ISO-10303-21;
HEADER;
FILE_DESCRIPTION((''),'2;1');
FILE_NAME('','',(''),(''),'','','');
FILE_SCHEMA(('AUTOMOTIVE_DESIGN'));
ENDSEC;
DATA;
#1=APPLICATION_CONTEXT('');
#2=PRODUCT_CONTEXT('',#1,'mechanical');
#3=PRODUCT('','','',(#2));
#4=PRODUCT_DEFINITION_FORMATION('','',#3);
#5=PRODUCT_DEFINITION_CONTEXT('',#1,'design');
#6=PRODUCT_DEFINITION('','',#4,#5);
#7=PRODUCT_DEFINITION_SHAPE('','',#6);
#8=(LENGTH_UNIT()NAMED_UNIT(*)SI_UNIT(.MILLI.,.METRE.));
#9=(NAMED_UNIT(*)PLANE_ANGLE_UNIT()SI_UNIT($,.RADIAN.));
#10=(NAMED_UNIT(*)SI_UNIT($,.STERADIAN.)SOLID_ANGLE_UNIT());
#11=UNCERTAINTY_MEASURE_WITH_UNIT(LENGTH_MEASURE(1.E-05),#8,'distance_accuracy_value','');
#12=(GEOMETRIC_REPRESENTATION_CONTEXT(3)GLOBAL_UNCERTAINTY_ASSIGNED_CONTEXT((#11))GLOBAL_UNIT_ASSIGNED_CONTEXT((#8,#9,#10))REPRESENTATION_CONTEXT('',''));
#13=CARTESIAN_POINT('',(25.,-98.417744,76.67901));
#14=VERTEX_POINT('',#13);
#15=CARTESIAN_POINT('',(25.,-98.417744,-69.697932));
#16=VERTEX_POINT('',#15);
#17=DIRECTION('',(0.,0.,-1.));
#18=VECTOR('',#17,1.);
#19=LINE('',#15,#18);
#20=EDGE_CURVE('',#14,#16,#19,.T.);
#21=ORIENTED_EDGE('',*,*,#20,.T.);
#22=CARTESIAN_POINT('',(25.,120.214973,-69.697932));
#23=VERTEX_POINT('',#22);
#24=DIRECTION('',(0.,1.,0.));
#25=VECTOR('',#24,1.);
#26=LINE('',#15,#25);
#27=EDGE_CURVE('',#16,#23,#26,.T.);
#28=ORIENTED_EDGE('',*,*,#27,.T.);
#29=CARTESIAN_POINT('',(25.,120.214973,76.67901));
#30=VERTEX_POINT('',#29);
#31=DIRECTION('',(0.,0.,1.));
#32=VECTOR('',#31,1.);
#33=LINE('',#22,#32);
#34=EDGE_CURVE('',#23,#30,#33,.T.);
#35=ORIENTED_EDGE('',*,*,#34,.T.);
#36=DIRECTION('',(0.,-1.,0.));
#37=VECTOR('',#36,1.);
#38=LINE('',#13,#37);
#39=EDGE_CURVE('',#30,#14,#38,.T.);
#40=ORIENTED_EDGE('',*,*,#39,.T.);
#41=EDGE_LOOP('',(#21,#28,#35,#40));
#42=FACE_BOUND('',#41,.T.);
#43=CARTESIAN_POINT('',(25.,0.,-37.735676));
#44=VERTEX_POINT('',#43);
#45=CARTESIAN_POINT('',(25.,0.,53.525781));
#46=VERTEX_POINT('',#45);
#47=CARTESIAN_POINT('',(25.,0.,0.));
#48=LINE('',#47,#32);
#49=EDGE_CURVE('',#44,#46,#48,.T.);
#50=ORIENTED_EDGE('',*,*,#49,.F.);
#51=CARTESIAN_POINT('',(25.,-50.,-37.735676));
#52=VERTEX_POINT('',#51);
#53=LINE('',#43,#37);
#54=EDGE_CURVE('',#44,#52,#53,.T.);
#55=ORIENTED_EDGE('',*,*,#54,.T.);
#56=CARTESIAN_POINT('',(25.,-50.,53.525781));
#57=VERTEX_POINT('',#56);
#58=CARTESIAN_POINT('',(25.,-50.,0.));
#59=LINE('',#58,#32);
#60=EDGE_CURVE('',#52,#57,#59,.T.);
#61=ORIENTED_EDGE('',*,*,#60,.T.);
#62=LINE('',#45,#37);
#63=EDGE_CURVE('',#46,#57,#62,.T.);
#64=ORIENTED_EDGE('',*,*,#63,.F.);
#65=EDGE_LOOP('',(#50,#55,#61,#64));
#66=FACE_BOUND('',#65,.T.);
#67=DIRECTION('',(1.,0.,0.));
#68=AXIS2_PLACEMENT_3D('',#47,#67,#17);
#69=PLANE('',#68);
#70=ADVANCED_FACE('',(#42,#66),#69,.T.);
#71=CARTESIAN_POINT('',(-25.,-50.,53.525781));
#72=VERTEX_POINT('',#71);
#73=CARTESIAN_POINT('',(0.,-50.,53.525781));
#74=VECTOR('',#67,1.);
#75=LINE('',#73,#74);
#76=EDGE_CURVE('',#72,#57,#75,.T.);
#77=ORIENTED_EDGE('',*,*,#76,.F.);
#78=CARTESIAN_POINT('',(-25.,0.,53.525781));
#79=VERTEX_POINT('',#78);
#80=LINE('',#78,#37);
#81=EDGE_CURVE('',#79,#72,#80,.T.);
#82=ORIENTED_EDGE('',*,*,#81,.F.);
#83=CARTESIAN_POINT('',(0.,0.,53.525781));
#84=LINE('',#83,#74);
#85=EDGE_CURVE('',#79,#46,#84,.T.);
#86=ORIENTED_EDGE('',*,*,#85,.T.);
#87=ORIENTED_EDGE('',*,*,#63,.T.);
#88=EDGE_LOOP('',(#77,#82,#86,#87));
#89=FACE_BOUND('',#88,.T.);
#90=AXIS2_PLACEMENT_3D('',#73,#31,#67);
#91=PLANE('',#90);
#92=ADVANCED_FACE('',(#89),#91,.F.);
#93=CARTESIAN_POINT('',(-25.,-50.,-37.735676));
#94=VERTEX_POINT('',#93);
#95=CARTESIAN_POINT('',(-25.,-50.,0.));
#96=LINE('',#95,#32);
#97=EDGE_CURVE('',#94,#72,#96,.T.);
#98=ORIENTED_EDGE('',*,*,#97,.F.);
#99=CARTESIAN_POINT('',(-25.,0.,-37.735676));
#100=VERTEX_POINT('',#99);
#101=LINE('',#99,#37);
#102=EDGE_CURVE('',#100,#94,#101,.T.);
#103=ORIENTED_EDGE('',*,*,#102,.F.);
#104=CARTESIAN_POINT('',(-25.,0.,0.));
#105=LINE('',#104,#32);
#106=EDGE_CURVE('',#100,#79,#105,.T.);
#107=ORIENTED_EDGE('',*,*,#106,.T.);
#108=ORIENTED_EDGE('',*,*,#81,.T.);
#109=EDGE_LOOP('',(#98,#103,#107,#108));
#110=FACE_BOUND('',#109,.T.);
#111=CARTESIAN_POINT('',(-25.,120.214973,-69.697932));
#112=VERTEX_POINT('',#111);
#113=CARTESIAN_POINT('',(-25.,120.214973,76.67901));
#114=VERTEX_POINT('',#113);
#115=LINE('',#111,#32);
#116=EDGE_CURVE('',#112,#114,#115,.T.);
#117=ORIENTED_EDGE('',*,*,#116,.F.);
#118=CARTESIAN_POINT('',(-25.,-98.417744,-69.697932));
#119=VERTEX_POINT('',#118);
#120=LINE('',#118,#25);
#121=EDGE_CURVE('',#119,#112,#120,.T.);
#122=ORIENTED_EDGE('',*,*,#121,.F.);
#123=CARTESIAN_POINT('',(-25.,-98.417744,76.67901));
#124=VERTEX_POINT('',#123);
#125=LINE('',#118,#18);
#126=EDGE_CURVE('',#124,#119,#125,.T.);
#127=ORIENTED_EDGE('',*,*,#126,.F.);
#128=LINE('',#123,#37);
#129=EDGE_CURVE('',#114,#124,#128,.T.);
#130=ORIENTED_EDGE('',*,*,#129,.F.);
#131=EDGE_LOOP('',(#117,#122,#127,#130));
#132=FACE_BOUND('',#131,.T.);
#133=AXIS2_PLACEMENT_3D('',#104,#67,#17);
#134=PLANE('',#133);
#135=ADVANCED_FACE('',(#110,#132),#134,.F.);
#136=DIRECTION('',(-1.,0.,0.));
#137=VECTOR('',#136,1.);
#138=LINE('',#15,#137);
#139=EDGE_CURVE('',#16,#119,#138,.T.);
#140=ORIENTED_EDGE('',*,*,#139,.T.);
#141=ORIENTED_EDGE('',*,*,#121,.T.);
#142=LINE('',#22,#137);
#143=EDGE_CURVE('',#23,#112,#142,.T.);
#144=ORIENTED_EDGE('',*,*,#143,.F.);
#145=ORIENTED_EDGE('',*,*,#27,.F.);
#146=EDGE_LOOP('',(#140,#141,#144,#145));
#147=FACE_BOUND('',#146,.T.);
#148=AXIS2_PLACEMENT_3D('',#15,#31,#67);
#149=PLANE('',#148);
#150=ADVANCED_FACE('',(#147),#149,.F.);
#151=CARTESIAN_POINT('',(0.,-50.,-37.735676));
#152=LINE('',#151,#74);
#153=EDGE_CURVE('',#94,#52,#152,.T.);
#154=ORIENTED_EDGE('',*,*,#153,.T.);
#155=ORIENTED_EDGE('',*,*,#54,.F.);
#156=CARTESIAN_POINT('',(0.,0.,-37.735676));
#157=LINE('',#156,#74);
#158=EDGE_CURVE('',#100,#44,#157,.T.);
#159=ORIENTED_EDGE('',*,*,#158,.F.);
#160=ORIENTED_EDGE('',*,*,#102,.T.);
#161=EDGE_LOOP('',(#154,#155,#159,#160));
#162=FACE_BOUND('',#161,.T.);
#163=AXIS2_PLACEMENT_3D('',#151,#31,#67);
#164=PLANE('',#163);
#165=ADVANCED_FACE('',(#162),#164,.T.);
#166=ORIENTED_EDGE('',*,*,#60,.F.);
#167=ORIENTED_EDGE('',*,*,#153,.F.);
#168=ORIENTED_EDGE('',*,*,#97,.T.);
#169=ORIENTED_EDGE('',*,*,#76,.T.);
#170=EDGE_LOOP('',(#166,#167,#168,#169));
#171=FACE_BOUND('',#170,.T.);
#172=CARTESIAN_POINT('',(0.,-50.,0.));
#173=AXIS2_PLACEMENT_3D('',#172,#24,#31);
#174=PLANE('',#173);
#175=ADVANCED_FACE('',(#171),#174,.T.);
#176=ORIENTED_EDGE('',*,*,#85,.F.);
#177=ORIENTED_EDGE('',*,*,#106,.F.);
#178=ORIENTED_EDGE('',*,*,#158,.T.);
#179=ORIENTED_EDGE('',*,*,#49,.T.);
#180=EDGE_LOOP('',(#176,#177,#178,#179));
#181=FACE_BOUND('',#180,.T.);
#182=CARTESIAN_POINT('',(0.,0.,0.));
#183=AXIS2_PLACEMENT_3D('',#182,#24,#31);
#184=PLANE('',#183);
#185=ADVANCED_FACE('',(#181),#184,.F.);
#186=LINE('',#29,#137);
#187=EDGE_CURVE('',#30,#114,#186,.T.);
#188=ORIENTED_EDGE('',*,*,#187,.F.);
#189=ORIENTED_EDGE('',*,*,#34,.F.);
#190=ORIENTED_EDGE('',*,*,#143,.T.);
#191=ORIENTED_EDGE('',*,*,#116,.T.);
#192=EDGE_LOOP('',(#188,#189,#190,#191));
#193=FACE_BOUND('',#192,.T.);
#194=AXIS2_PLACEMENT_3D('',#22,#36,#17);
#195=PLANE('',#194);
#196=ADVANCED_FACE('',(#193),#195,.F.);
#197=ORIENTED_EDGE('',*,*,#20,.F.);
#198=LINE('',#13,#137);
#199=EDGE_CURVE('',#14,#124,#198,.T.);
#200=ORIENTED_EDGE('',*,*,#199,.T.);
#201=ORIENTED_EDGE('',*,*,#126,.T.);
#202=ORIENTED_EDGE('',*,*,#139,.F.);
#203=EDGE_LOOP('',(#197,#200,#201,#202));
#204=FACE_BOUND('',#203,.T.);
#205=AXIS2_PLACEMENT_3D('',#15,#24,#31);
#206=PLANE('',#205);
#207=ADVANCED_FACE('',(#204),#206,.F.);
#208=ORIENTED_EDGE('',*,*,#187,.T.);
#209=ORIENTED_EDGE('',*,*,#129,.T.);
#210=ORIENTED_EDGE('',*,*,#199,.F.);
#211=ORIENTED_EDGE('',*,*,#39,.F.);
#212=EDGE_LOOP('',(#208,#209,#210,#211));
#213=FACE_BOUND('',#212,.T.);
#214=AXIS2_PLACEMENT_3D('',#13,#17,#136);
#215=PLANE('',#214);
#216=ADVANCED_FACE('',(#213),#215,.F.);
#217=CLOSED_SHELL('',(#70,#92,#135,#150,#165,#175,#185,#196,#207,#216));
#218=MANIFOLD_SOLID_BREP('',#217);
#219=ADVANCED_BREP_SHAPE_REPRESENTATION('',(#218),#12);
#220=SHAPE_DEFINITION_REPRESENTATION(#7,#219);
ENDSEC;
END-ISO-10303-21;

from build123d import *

# Parameters (mm, degrees)
SKETCH2_W           = 146.376941915
SKETCH2_H           = 218.632716635
BOSS_EXTRUDE2_DEPTH = 25
CUT_EXTRUDE1_DEPTH  = 50


with BuildPart() as part:
    # Sketch2 → Boss-Extrude2 (new, symmetric)
    with BuildSketch(Plane(origin=(0, 0, 0), x_dir=(0, 0, -1), z_dir=(1, 0, 0))):
        with Locations((-3.490539111, 10.898614686)):
            Rectangle(SKETCH2_W, SKETCH2_H)
    extrude(amount=BOSS_EXTRUDE2_DEPTH, both=True)

    # Sketch1 → Cut-Extrude1 (cut)
    with BuildSketch(Plane(origin=(0, 0, 0), x_dir=(1, 0, 0), z_dir=(0, 1, 0))):
        with BuildLine():
            Line((28.234849526, 37.73567567), (-25.290931566, 37.73567567))
            add(Edge.make_bspline(
                [(-25.290931566, 37.73567567), (-30.76189097, 7.536622835), (-30.130821337, -23.0684525), (-31.981654202, -53.525781092)],
                knots=[0, 0, 0, 0, 1, 1, 1, 1], degree=3))
            Line((-31.981654202, -53.525781092), (35.996087784, -53.525781092))
            add(Edge.make_bspline(
                [(28.234849526, 37.73567567), (39.487990314, 7.96851172), (30.114114901, -23.184955899), (35.996087784, -53.525781092)],
                knots=[0, 0, 0, 0, 1, 1, 1, 1], degree=3))
        make_face()
    extrude(amount=-CUT_EXTRUDE1_DEPTH, mode=Mode.SUBTRACT)


solid = part.part
